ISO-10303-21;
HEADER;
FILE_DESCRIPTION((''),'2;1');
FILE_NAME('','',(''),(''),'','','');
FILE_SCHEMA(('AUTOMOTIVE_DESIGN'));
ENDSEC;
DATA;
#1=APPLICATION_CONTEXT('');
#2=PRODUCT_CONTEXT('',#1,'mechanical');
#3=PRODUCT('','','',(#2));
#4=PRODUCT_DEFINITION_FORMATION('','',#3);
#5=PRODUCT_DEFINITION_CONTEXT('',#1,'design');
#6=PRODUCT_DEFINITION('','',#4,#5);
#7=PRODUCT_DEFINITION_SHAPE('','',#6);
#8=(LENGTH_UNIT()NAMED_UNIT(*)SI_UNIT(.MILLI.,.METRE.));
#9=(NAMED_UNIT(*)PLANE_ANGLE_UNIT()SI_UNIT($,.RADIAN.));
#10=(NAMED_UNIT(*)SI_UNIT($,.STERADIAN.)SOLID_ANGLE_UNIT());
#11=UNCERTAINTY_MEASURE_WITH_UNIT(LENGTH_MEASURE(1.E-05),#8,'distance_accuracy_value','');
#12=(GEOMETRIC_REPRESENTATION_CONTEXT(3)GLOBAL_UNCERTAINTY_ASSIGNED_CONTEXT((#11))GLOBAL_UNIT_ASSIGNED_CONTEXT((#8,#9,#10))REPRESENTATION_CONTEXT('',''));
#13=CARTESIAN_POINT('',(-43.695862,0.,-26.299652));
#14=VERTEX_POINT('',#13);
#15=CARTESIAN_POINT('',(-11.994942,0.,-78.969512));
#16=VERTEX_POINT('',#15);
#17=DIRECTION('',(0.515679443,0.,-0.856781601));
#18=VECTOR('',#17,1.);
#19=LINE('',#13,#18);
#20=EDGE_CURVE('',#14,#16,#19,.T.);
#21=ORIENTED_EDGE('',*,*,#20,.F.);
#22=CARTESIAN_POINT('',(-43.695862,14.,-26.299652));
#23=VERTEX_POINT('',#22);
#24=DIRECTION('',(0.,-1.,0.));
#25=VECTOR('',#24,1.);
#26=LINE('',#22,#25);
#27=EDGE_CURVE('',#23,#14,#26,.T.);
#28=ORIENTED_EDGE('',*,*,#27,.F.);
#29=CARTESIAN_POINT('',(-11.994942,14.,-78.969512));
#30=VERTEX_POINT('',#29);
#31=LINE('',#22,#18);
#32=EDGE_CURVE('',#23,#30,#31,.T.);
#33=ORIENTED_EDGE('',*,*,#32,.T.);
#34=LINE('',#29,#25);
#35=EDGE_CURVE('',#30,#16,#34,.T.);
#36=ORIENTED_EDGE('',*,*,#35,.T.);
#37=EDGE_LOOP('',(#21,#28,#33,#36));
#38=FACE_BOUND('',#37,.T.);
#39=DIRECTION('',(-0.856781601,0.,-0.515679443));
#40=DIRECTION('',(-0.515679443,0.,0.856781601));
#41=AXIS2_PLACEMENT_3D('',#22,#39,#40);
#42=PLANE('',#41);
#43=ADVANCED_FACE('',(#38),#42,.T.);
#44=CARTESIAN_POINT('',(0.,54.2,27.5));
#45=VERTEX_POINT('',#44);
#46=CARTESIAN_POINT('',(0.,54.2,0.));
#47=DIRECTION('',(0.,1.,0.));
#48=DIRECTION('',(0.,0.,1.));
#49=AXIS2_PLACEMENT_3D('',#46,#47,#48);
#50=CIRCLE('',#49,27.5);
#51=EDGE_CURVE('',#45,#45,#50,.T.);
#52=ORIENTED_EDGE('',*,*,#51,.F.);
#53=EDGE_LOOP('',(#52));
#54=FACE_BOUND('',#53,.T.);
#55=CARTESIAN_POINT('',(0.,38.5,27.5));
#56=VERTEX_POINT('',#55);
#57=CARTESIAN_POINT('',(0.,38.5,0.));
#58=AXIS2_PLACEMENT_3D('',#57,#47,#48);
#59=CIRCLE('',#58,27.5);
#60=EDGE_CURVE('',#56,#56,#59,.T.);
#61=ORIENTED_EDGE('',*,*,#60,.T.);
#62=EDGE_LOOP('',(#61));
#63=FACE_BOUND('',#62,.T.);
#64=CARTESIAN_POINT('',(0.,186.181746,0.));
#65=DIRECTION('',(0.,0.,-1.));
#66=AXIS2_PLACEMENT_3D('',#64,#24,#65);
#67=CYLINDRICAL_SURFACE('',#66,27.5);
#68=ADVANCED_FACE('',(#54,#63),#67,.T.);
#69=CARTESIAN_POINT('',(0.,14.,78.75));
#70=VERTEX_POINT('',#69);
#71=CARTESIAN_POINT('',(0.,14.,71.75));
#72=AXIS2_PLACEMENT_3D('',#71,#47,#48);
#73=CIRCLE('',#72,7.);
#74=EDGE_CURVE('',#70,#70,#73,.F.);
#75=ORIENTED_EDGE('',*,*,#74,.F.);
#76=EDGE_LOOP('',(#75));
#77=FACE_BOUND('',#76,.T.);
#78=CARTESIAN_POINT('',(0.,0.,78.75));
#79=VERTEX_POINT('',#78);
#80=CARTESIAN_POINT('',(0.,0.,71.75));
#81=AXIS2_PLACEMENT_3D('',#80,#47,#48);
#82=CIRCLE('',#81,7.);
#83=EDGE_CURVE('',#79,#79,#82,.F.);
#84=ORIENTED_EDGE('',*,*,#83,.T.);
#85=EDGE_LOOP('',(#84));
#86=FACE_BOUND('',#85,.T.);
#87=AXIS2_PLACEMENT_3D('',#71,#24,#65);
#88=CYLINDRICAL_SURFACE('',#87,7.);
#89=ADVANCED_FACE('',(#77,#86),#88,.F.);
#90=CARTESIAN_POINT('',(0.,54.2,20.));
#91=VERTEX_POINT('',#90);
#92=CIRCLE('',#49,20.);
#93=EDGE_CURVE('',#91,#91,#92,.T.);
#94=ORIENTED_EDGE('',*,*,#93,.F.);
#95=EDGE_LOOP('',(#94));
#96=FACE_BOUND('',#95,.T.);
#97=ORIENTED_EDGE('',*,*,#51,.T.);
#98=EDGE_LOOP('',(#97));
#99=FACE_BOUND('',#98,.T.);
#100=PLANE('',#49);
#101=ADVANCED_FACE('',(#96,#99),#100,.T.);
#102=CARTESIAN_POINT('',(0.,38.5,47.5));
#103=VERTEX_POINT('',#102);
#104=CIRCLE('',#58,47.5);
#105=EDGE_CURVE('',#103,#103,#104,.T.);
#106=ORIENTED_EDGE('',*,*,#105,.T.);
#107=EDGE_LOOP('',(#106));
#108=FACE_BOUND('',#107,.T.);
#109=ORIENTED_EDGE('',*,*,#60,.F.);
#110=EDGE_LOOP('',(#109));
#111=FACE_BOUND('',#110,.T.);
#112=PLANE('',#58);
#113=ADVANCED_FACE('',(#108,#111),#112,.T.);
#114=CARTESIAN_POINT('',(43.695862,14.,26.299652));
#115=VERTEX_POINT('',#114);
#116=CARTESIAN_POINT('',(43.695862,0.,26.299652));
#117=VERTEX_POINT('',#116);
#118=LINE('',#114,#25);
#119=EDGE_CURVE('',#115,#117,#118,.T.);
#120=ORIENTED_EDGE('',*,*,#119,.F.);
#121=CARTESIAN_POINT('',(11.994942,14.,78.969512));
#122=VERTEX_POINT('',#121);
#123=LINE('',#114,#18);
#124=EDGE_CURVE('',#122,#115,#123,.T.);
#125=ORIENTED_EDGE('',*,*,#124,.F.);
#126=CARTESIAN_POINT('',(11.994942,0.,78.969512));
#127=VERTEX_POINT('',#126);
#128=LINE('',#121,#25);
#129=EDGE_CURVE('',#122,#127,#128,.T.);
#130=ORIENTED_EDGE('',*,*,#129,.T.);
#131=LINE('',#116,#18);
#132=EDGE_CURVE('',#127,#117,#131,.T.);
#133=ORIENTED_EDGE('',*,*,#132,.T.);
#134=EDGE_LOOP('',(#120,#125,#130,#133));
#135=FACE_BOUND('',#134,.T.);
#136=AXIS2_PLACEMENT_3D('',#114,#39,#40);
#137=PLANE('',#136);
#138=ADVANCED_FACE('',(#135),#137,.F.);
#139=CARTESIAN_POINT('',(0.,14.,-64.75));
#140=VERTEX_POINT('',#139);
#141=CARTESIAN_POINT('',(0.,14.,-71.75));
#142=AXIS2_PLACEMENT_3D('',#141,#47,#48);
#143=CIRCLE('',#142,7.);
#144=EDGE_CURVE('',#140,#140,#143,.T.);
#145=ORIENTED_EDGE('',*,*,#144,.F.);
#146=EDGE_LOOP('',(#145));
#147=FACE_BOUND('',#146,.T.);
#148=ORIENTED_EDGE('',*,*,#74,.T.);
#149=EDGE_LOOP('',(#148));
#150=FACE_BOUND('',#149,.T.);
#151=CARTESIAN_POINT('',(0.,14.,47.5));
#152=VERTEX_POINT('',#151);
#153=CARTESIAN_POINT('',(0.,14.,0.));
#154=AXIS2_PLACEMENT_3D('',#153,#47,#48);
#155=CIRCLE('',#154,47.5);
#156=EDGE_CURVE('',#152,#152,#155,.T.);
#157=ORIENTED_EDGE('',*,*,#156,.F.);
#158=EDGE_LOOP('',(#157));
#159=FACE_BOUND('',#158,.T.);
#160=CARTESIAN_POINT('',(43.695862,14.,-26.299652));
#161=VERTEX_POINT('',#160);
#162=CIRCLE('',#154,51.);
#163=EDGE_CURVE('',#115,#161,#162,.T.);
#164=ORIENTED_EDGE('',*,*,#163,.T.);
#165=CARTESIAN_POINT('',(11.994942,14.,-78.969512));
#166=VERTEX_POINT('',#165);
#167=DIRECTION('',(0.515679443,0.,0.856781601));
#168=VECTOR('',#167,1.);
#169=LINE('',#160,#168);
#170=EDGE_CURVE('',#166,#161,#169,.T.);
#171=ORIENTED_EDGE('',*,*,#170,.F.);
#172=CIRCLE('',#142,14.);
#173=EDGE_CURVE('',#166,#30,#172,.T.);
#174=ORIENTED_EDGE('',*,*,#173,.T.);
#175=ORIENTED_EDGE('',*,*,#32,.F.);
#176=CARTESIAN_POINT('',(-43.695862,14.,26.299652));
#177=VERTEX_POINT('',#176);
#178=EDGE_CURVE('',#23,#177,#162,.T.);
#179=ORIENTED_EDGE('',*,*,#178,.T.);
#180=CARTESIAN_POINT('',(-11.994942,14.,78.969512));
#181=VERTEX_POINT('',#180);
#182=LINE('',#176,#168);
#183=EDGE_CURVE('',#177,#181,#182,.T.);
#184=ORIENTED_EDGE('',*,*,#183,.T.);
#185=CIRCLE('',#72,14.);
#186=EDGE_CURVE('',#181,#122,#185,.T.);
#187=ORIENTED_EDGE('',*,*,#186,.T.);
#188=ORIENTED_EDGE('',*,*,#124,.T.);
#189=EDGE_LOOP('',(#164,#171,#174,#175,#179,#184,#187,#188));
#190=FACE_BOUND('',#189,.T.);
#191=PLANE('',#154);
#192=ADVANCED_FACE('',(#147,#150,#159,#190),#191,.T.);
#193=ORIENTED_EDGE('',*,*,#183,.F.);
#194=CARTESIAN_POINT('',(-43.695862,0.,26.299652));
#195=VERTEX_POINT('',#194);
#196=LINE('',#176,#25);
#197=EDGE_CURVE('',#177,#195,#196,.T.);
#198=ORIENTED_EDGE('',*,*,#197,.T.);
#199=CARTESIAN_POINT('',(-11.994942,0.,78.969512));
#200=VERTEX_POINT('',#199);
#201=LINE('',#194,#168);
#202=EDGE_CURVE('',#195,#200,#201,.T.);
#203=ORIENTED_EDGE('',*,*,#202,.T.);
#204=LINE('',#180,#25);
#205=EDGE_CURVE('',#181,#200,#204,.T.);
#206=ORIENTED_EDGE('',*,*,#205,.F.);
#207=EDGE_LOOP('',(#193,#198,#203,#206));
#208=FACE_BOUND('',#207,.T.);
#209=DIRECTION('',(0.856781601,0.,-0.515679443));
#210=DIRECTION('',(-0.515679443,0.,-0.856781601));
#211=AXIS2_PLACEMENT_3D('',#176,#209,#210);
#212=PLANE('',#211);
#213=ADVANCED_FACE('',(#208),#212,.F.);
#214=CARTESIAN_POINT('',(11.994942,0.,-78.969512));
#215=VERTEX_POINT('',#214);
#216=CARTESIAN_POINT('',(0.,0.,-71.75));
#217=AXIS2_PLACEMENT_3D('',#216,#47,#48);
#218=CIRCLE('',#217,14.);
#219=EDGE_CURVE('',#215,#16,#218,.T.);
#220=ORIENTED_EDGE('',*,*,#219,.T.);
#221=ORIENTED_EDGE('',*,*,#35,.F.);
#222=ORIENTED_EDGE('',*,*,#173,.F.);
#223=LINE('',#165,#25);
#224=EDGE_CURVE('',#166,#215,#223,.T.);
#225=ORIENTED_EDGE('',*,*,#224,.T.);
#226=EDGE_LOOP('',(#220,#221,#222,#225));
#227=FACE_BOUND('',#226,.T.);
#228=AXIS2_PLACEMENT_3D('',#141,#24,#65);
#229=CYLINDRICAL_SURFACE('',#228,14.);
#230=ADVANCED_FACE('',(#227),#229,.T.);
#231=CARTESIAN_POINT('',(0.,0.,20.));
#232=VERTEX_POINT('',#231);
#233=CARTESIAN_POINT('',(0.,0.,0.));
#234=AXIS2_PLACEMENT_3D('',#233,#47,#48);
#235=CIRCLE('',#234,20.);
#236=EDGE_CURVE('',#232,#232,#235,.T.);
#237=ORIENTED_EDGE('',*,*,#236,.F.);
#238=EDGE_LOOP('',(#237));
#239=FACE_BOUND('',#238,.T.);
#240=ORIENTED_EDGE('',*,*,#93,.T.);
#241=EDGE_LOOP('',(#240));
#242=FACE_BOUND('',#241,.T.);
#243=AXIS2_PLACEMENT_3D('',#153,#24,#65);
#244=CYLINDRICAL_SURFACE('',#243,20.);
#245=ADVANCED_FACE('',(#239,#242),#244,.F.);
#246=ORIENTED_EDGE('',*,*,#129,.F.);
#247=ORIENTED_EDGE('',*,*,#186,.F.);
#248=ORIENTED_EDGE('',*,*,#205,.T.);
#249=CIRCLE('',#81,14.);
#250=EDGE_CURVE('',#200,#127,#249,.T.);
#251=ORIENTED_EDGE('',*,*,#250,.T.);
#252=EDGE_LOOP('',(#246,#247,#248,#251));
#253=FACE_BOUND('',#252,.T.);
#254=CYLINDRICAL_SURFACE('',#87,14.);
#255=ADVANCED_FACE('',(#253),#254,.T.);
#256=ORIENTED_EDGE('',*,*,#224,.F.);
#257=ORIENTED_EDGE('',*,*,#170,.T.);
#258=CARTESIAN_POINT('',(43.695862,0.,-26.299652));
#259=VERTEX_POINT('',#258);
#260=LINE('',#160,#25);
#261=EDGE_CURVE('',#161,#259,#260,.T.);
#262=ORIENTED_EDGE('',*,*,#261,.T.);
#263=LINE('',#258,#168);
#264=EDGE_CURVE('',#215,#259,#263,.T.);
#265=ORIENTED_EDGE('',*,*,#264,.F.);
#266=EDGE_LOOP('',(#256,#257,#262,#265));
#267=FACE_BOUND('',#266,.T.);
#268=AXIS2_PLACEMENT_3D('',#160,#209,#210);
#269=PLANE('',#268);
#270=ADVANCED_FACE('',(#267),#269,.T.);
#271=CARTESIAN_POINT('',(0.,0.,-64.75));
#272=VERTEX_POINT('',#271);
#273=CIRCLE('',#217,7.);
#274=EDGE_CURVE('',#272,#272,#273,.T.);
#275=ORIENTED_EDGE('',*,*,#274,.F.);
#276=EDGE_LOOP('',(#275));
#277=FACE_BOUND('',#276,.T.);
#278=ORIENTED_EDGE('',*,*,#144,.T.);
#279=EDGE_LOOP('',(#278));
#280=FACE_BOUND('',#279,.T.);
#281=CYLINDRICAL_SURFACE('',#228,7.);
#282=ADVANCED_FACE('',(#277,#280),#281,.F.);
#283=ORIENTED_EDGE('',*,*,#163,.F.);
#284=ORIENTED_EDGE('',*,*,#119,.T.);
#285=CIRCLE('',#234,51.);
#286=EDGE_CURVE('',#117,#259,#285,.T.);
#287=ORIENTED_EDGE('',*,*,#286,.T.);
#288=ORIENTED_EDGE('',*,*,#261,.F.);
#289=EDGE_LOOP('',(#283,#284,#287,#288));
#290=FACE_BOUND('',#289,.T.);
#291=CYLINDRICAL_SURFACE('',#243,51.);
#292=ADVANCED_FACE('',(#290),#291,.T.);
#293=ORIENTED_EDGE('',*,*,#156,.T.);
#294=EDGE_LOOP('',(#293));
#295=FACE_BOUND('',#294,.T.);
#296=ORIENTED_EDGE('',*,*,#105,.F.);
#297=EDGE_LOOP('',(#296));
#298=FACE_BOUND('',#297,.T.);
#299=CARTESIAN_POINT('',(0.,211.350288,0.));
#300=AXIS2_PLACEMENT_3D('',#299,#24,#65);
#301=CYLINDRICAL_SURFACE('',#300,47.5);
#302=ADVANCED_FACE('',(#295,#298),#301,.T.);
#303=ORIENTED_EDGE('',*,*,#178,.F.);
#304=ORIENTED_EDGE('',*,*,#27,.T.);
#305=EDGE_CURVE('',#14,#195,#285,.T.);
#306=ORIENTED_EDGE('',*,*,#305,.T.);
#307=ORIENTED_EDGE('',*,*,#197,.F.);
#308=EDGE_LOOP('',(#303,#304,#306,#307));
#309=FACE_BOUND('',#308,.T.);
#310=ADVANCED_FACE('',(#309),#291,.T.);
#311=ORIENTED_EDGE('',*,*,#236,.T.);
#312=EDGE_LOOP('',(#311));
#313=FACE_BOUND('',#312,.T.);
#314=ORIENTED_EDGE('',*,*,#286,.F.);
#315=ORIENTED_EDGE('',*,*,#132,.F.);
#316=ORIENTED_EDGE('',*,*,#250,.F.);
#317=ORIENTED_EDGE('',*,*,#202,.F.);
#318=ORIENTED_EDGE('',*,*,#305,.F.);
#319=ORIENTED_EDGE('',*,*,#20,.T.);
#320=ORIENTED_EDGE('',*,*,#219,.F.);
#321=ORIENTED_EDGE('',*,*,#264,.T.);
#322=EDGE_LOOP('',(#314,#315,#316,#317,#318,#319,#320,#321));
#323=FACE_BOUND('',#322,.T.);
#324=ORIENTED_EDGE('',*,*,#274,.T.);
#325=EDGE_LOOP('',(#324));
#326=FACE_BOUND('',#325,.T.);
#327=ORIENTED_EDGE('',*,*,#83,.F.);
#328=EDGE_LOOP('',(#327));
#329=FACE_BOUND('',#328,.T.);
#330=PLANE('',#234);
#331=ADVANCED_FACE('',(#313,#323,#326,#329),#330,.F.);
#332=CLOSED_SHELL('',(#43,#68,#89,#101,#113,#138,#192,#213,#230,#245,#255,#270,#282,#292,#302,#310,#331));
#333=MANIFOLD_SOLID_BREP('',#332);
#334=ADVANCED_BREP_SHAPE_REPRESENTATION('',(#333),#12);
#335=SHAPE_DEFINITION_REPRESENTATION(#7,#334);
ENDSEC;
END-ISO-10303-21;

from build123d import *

# Parameters (mm, degrees)
SKETCH1_R           = 14
SKETCH1_R_2         = 7
SKETCH1_R_3         = 51
SKETCH1_R_4         = 20
BOSS_EXTRUDE1_DEPTH = 14
SKETCH2_R           = 47.5
SKETCH2_R_2         = 20
BOSS_EXTRUDE2_DEPTH = 24.5
SKETCH3_R           = 27.5
SKETCH3_R_2         = 20
BOSS_EXTRUDE3_DEPTH = 15.7


with BuildPart() as part:
    # Sketch1 → Boss-Extrude1 (new body)
    with BuildSketch(Plane(origin=(0, 0, 0), x_dir=(1, 0, 0), z_dir=(0, 1, 0))):
        with Locations((0, 71.75)):
            Circle(SKETCH1_R)
        with Locations((0, 71.75)):
            Circle(SKETCH1_R_2, mode=Mode.SUBTRACT)
        with BuildLine():
            Line((43.695861674, 26.299651568), (11.99494242, 78.969512195))
            ThreePointArc((11.99494242, 78.969512195), (13.489425375, 75.496385332), (14, 71.75))
            ThreePointArc((14, 71.75), (-3.746385332, 58.260574625), (-11.99494242, 78.969512195))
            Line((-11.99494242, 78.969512195), (-43.695861674, 26.299651568))
            ThreePointArc((-43.695861674, 26.299651568), (0, 51), (43.695861674, 26.299651568))
        make_face()
        with BuildLine():
            ThreePointArc((43.695861674, -26.299651568), (0, -51), (-43.695861674, -26.299651568))
            Line((-43.695861674, -26.299651568), (-11.99494242, -78.969512195))
            ThreePointArc((-11.99494242, -78.969512195), (-3.746385332, -58.260574625), (14, -71.75))
            ThreePointArc((14, -71.75), (13.489425375, -75.496385332), (11.99494242, -78.969512195))
            Line((11.99494242, -78.969512195), (43.695861674, -26.299651568))
        make_face()
        with Locations((0, -71.75)):
            Circle(SKETCH1_R)
        with Locations((0, -71.75)):
            Circle(SKETCH1_R_2, mode=Mode.SUBTRACT)
        Circle(SKETCH1_R_3)
        Circle(SKETCH1_R_4, mode=Mode.SUBTRACT)
    extrude(amount=BOSS_EXTRUDE1_DEPTH)

    # Sketch2 → Boss-Extrude2 (add)
    with BuildSketch(Plane(origin=(0, 14, 0), x_dir=(1, 0, 0), z_dir=(0, 1, 0))):
        Circle(SKETCH2_R)
        Circle(SKETCH2_R_2, mode=Mode.SUBTRACT)
    extrude(amount=BOSS_EXTRUDE2_DEPTH)

    # Sketch3 → Boss-Extrude3 (add)
    with BuildSketch(Plane(origin=(0, 38.5, 0), x_dir=(1, 0, 0), z_dir=(0, 1, 0))):
        Circle(SKETCH3_R)
        Circle(SKETCH3_R_2, mode=Mode.SUBTRACT)
    extrude(amount=BOSS_EXTRUDE3_DEPTH)


solid = part.part
